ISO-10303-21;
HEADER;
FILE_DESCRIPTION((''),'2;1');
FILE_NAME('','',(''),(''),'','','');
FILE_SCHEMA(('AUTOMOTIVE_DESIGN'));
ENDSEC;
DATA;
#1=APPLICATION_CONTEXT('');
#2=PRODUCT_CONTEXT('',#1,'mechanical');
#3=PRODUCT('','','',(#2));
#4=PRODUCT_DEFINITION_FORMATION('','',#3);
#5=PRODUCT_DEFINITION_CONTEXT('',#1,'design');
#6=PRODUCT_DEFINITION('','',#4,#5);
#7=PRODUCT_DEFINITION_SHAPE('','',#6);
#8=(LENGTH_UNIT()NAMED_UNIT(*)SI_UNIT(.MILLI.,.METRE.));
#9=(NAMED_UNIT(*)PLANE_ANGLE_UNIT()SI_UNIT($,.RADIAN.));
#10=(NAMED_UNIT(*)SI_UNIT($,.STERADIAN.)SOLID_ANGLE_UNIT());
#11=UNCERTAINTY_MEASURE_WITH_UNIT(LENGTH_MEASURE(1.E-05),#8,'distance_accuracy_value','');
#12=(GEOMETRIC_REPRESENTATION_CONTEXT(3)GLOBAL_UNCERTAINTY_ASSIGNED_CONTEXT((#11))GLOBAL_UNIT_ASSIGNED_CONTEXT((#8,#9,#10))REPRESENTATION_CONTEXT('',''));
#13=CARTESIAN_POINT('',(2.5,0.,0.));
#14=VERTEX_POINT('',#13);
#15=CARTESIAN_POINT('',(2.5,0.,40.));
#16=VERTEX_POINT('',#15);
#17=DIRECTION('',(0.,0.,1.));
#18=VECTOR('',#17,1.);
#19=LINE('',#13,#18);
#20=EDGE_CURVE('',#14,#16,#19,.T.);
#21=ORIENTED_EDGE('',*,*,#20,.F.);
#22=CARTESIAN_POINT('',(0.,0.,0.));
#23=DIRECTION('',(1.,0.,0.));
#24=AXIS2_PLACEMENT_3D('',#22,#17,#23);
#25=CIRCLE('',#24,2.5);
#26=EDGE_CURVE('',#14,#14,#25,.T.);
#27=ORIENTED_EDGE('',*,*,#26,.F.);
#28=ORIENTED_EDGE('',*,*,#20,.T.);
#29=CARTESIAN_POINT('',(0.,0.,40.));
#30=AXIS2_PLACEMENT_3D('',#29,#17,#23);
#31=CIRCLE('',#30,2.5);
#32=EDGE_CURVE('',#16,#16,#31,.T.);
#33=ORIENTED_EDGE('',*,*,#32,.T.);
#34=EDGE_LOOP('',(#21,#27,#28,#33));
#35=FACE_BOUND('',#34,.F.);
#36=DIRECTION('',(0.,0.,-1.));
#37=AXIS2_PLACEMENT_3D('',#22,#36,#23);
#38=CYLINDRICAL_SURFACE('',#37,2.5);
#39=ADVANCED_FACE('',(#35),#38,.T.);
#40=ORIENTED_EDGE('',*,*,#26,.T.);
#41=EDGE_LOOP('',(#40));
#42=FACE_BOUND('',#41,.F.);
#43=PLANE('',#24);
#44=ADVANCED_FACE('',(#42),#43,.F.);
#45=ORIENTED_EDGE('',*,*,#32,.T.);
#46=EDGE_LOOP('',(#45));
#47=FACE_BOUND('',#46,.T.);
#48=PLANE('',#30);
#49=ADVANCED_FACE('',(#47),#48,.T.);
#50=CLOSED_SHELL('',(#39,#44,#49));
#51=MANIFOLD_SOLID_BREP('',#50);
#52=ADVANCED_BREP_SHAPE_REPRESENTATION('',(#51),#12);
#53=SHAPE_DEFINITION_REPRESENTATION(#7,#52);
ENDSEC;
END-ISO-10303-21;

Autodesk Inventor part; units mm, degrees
ref_plane "YZ Plane" through (0, 0, 0) normal (1, 0, 0) x (0, 1, 0)
ref_plane "XZ Plane" through (0, 0, 0) normal (0, 1, 0) x (-1, 0, 0)
ref_plane "XY Plane" through (0, 0, 0) normal (0, 0, 1) x (1, 0, 0)
sketch "Skizze1" plane through (0, 0, 0) normal (0, 0, 1) x (1, 0, 0)
  circle A0 centre (0, 0) radius 2.5
  dimension "d0" = 5
extrude "Extrusion1" add sketch "Skizze1" along normal blind 40
properties part number "Pin 5x40" material "Edelstahl"
